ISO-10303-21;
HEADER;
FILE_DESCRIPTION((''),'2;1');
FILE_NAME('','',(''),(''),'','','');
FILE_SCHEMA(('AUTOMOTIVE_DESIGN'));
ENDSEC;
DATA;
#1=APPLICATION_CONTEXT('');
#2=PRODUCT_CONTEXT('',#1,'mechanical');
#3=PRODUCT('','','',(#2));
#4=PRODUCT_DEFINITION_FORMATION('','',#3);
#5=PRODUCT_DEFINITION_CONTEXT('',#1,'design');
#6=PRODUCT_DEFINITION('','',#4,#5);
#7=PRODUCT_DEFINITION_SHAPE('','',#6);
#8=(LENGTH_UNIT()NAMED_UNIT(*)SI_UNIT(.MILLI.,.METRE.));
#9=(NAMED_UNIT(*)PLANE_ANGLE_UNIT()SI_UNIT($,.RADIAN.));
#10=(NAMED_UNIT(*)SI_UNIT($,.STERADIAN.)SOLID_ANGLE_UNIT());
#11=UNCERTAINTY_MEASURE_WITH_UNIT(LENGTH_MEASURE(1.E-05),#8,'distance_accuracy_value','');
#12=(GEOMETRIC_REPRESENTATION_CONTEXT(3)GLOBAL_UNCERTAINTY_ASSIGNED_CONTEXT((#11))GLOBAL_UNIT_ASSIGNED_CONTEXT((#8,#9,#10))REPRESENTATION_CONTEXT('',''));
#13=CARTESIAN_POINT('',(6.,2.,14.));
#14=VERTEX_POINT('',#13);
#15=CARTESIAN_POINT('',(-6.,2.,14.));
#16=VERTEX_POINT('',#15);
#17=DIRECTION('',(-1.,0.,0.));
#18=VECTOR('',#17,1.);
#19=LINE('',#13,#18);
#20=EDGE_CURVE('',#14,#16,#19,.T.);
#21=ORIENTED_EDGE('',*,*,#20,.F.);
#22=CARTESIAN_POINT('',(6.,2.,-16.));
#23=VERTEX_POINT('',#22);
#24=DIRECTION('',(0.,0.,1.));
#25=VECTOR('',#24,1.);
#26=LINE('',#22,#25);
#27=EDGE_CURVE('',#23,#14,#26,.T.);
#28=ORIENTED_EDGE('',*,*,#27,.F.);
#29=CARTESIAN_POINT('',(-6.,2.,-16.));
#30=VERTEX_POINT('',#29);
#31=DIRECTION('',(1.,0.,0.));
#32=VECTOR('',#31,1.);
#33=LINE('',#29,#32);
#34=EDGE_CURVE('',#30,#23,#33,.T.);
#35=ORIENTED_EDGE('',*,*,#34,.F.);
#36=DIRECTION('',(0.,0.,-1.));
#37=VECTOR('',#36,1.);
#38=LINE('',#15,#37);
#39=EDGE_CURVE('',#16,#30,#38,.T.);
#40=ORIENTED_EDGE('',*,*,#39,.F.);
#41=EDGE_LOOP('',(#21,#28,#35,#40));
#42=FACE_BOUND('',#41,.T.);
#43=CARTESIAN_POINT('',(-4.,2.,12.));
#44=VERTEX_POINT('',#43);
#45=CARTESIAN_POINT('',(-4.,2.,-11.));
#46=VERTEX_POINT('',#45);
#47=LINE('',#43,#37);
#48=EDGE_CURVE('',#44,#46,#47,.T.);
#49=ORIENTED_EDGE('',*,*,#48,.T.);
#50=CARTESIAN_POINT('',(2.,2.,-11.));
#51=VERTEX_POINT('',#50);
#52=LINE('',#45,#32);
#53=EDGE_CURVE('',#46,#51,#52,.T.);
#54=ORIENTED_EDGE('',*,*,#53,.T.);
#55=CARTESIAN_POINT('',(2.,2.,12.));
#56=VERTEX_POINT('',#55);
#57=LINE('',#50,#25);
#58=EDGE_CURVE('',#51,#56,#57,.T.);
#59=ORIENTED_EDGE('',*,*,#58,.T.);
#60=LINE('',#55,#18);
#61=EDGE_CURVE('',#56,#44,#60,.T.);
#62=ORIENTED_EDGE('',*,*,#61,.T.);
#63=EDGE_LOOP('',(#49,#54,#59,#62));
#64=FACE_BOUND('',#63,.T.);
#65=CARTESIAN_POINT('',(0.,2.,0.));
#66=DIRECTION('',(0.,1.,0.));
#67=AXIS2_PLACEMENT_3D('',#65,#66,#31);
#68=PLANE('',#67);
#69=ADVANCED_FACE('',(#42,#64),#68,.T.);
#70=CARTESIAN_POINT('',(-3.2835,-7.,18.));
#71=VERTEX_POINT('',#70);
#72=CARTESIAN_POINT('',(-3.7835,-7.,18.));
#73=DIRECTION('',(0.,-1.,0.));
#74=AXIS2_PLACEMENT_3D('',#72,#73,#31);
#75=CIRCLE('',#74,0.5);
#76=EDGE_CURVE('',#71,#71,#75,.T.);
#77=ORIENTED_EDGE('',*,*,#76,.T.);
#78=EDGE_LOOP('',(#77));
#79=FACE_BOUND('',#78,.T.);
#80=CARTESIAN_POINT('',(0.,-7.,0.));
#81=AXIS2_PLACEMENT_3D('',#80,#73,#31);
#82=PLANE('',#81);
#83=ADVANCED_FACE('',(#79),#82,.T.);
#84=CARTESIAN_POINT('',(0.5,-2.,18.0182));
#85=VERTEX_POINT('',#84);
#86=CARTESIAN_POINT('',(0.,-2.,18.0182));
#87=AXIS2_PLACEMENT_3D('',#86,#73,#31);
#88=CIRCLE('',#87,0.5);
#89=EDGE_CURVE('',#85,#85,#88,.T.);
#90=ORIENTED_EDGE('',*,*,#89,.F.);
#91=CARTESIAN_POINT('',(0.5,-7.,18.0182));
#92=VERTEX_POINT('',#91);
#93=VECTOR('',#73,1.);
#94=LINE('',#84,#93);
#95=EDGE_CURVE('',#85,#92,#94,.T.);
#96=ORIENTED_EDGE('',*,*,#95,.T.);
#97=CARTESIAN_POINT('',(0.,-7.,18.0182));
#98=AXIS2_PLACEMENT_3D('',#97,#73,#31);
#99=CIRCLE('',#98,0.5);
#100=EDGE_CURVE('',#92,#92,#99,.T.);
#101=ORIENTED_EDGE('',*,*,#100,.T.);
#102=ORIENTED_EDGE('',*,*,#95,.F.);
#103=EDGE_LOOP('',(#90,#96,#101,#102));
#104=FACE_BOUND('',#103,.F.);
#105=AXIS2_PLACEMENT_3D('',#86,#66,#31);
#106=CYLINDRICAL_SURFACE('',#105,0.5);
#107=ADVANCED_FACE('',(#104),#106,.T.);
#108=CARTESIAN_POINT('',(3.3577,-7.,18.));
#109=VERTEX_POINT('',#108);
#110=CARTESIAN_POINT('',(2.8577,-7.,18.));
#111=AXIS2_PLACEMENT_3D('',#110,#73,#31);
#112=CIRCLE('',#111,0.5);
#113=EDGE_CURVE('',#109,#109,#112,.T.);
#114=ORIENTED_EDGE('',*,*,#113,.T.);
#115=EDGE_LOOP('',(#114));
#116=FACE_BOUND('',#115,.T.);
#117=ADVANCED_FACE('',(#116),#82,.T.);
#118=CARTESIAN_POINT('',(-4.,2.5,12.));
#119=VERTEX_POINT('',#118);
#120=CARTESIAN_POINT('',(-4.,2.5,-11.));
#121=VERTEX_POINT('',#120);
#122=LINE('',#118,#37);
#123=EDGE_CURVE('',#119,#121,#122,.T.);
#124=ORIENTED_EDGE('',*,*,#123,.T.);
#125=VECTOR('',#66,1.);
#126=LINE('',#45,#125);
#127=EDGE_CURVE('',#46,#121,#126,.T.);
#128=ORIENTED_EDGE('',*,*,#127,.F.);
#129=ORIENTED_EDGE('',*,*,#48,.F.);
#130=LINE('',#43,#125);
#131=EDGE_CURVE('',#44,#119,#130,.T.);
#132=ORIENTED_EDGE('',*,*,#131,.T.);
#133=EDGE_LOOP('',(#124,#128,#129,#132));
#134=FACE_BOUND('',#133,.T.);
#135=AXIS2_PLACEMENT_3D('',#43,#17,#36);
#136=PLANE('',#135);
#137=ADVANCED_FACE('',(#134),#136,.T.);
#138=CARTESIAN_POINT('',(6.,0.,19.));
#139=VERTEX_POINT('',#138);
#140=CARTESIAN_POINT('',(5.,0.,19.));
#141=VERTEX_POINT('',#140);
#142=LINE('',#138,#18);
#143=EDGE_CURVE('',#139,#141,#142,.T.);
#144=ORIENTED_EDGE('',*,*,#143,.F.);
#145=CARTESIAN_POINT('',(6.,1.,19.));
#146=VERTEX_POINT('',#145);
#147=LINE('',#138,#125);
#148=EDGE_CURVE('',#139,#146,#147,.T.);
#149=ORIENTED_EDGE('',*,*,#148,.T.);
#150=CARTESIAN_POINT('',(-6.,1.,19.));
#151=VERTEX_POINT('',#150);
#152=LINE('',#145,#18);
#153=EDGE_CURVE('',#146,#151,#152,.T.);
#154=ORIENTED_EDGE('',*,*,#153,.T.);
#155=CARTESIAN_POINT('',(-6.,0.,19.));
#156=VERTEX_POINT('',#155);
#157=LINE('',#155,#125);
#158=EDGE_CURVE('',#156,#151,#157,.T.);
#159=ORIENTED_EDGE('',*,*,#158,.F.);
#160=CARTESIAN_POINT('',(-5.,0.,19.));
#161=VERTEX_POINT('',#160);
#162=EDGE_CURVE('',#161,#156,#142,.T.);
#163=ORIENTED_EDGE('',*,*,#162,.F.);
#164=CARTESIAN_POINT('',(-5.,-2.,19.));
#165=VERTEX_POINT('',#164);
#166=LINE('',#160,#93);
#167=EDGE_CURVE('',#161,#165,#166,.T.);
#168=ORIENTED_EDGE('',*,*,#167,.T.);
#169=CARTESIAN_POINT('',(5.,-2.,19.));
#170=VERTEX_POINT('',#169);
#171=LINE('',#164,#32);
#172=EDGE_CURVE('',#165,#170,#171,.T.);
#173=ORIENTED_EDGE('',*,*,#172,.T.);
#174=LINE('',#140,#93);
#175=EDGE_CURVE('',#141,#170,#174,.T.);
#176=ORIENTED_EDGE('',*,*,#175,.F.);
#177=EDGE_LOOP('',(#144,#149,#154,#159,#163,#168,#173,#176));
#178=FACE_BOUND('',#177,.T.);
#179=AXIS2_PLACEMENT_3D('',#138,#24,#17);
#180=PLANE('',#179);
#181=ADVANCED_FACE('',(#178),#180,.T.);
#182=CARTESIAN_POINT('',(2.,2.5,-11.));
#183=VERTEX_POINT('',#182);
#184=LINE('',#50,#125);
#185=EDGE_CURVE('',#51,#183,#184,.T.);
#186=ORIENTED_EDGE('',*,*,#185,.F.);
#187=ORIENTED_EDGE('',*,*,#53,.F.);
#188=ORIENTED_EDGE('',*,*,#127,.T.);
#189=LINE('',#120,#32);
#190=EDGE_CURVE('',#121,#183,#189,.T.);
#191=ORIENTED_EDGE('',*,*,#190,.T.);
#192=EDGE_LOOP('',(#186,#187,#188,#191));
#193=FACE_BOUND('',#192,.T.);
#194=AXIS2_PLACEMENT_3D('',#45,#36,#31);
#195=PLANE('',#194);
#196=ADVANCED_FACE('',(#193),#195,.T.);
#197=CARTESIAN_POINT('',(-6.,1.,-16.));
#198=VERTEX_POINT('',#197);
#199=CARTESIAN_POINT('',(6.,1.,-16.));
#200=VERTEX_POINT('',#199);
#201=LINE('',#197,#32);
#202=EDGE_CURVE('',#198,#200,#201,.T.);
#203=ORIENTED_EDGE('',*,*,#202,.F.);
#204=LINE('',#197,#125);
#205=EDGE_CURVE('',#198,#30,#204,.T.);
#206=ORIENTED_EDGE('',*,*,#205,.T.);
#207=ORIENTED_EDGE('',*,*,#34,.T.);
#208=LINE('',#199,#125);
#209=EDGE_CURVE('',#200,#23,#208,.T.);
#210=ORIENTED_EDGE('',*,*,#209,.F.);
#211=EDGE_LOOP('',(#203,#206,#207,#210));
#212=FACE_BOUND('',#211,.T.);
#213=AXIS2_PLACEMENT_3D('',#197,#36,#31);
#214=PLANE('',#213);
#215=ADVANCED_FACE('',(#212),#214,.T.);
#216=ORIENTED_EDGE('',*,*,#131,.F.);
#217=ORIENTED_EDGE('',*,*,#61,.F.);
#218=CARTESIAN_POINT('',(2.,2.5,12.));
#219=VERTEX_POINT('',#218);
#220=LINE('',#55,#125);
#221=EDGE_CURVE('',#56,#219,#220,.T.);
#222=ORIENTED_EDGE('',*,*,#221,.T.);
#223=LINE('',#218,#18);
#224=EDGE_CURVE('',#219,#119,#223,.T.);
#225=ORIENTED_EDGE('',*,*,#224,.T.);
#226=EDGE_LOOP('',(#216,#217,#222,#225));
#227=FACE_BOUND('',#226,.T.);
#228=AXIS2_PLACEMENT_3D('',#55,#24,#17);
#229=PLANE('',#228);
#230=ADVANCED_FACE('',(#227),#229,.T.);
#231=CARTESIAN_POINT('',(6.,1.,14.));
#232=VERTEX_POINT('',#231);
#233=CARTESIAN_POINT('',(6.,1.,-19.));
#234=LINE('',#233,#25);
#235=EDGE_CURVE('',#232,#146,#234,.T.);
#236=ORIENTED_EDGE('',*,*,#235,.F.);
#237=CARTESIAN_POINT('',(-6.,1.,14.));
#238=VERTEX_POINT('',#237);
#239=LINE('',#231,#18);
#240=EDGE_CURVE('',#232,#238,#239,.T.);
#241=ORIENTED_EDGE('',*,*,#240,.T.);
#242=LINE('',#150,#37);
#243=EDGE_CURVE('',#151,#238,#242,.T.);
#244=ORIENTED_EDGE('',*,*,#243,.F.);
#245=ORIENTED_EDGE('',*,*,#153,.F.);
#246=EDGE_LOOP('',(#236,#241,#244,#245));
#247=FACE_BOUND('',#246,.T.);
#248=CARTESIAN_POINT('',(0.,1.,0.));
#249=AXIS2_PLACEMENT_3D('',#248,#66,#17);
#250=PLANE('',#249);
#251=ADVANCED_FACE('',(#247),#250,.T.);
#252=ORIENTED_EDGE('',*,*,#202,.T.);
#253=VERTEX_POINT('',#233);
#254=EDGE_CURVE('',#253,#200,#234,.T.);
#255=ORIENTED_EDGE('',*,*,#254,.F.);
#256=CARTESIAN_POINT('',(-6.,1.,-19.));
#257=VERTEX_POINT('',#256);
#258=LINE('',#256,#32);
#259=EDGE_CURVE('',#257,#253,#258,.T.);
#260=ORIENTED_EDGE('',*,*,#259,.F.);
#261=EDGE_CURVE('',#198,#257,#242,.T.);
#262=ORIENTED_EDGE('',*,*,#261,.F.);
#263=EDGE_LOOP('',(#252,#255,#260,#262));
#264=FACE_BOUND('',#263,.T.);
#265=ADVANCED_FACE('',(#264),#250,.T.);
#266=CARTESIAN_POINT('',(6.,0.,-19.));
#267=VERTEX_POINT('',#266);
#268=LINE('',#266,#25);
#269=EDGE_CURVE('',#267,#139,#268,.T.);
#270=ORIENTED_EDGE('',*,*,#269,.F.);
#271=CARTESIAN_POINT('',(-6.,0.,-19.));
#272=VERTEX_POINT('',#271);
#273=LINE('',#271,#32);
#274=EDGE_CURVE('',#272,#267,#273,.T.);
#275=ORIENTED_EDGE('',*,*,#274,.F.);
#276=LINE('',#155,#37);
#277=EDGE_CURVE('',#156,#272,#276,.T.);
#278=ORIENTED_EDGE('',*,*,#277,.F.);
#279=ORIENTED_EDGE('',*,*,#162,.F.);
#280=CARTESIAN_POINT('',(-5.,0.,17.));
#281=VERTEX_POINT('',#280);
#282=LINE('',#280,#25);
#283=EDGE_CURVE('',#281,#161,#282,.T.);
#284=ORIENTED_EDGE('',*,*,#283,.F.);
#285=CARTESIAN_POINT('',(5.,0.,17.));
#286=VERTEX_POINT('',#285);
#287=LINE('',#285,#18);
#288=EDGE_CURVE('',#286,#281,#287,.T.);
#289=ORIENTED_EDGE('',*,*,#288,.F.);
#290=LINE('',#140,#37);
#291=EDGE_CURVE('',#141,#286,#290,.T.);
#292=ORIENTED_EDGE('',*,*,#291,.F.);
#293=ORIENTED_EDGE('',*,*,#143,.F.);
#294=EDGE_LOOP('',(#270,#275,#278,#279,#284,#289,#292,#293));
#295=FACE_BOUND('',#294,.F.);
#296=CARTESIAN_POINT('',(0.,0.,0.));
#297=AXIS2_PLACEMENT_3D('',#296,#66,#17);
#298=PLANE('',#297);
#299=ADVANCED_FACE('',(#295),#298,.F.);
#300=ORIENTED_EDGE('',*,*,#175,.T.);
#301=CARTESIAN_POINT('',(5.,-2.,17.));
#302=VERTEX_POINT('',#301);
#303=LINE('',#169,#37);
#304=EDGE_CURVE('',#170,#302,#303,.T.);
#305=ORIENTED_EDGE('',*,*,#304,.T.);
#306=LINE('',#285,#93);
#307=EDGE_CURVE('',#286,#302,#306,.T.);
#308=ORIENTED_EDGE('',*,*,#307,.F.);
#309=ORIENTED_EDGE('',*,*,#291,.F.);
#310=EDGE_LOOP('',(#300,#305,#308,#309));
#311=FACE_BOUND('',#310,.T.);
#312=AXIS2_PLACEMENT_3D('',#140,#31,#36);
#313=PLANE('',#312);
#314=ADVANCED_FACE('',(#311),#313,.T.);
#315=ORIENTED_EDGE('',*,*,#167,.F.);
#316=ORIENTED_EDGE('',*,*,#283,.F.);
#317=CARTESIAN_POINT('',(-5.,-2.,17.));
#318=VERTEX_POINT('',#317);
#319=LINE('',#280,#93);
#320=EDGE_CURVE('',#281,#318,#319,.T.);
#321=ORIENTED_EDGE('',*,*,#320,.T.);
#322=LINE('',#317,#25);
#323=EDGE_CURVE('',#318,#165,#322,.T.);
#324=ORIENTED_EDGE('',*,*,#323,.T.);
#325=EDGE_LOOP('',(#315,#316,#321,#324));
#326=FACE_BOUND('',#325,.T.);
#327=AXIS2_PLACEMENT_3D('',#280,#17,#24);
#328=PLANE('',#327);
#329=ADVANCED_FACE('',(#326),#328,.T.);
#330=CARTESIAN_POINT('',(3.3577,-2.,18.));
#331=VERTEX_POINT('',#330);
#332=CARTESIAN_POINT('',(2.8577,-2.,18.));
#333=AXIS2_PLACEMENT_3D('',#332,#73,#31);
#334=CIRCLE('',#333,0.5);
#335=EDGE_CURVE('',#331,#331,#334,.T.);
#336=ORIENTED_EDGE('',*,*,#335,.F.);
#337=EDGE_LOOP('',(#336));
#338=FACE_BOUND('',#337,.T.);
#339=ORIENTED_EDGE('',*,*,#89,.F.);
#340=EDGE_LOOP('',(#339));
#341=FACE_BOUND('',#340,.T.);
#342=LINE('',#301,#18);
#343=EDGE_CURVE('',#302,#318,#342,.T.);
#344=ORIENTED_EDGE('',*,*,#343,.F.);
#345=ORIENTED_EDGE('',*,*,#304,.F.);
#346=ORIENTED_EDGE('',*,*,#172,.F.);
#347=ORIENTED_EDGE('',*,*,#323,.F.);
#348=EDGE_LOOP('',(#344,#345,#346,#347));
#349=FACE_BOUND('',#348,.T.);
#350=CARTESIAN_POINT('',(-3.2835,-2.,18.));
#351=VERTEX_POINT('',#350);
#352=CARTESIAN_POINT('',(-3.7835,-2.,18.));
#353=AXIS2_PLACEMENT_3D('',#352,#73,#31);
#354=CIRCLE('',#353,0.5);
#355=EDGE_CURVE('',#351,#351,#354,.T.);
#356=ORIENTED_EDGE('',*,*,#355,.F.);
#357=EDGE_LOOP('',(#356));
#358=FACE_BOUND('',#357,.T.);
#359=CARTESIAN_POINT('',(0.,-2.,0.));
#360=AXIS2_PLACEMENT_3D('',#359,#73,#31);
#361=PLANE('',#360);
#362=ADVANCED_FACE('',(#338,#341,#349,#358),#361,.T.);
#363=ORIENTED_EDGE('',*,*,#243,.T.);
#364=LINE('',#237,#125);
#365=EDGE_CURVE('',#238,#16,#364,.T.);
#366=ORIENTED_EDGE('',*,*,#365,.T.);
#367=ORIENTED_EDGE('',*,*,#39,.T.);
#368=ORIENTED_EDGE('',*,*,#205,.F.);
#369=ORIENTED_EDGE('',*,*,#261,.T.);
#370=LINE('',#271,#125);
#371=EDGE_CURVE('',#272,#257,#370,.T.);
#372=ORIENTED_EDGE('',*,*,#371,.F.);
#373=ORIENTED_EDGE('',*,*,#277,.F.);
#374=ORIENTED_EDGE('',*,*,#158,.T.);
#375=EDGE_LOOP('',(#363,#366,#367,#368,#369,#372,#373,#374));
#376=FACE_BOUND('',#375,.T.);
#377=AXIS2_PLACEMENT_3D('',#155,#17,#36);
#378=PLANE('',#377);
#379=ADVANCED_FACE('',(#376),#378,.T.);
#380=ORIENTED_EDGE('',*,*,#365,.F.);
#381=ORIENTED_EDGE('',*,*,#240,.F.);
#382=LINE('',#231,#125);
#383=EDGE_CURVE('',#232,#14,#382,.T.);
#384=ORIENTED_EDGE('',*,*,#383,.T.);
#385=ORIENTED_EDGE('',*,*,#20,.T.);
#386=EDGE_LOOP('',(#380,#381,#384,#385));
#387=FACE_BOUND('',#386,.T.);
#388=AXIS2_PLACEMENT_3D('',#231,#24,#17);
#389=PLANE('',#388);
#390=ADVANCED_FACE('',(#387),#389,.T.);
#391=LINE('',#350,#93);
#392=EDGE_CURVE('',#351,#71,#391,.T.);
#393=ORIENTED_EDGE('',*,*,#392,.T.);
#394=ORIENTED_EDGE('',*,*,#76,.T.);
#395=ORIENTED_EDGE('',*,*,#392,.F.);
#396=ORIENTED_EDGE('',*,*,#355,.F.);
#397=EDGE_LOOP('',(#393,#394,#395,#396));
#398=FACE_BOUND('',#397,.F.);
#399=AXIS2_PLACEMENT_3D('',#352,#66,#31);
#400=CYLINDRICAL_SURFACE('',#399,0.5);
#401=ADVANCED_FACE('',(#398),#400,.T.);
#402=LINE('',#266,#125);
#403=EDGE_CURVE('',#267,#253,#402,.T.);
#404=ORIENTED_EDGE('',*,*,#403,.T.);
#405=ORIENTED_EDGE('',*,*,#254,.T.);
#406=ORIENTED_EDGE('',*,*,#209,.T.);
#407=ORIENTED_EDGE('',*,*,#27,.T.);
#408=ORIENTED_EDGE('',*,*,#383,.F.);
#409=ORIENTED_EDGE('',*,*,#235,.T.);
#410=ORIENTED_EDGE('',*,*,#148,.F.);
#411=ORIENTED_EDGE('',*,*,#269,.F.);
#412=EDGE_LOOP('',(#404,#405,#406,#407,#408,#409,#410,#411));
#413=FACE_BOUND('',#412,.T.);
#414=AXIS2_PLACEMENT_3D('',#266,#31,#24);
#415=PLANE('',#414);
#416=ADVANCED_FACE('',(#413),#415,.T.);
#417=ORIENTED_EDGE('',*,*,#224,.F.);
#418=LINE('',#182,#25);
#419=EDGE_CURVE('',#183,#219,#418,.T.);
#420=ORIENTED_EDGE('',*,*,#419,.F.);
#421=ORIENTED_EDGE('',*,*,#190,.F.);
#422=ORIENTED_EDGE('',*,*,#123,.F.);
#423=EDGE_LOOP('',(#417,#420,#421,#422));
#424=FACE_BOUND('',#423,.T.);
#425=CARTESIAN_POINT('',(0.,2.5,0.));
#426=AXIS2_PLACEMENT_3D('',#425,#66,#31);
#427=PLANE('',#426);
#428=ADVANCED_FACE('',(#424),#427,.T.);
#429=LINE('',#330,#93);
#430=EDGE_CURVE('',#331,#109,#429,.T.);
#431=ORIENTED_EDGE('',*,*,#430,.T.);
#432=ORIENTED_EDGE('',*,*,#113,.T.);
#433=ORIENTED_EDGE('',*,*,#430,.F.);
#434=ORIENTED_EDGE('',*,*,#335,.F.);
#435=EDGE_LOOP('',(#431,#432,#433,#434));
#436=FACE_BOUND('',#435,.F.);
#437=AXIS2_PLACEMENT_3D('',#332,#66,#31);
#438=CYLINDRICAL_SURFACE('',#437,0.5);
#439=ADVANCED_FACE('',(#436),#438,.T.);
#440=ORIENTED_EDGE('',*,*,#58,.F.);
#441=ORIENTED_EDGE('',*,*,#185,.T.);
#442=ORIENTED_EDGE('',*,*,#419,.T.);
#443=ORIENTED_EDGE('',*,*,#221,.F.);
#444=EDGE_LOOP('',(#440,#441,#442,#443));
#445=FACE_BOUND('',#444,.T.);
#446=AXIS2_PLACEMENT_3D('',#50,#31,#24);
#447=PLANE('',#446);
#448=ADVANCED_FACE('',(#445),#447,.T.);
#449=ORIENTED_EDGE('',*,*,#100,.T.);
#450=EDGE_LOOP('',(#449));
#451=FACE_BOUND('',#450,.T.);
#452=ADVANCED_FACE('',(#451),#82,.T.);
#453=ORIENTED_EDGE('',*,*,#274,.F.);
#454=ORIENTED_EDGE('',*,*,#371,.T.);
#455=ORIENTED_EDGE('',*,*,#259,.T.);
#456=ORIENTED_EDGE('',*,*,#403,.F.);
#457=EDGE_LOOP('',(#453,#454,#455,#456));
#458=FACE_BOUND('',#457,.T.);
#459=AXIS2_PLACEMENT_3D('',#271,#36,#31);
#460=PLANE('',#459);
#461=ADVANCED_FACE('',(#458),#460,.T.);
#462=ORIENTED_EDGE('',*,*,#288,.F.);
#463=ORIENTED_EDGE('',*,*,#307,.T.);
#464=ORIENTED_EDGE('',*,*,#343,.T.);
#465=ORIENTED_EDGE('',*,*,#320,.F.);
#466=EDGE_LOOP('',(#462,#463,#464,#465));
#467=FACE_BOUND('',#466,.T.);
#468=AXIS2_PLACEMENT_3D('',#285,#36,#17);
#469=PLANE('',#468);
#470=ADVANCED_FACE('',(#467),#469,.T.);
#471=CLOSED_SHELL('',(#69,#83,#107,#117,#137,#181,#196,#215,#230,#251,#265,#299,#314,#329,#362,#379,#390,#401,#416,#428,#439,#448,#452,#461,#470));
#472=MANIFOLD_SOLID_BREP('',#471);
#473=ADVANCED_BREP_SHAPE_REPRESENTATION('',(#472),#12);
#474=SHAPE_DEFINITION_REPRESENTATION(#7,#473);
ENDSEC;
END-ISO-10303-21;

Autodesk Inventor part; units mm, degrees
ref_plane "YZ Plane" through (0, 0, 0) normal (1, 0, 0) x (0, 1, 0)
ref_plane "XZ Plane" through (0, 0, 0) normal (0, 1, 0) x (-1, 0, 0)
ref_plane "XY Plane" through (0, 0, 0) normal (0, 0, 1) x (1, 0, 0)
sketch "Sketch1" plane through (0, 0, 0) normal (0, 1, 0) x (-1, 0, 0)
  line L0 (6, 19) -> (6, -19)
  line L1 (6, -19) -> (-6, -19)
  line L2 (-6, -19) -> (-6, 19)
  line L3 (-6, 19) -> (6, 19)
  line L4 (6, 19) -> (-6, -19) construction
  line L5 (6, -19) -> (-6, 19) construction
  point P0 (0, 0)
  dimension "d0" = 38
  dimension "d1" = 12
extrude "Extrusion1" add sketch "Sketch1" along normal blind 1
sketch "Sketch2" plane through (0, 1, 0) normal (0, 1, 0) x (1, 0, 0)
  point P0 (0, 0)
sketch "Sketch3" plane through (0, 1, 0) normal (0, 1, 0) x (1, 0, 0)
  line L0 (-6, -14) -> (-6, 16)
  line L1 (-6, 16) -> (6, 16)
  line L2 (6, 16) -> (6, -14)
  line L3 (6, -14) -> (-6, -14)
  line L4 (-6, -14) -> (6, 16) construction
  line L5 (-6, 16) -> (6, -14) construction
  line L6 (-6, -19) -> (6, -19) projected
  line L7 (-6, 19) -> (-6, -19) projected
  line L8 (-6, 16) -> (-6, 19)
  dimension "d4" = 30
  dimension "d5" = 12
extrude "Extrusion2" add sketch "Sketch3" along normal blind 1
sketch "Sketch4" plane through (0, 2, 0) normal (0, 1, 0) x (1, 0, 0)
  point P0 (0, 0)
sketch "Sketch5" plane through (0, 2, 0) normal (0, 1, 0) x (1, 0, 0)
  point P0 (0, 0)
sketch "Sketch6" plane through (0, 0, 0) normal (0, -1, 0) x (1, 0, 0)
  line L0 (-6, 19) -> (6, 19) projected
  line L1 (0, 19) -> (5, 19)
  line L2 (-5, 17) -> (-5, 19)
  line L3 (-5, 19) -> (5, 19)
  line L4 (5, 19) -> (5, 17)
  line L5 (5, 17) -> (-5, 17)
  point P0 (0, 0)
  dimension "d11" = 5
  dimension "d12" = 2
  dimension "d13" = 5
extrude "Extrusion3" add sketch "Sketch6" along normal blind 2
sketch "Sketch7" plane through (0, -2, 0) normal (0, -1, 0) x (1, 0, 0)
  circle A0 centre (0, 18.0182) radius 0.5
  circle A1 centre (-3.7835, 18) radius 0.5
  circle A2 centre (2.8577, 18) radius 0.5
  point P0 (0, 0)
  dimension "d16" = 1
  dimension "d17" = 1
  dimension "d18" = 1
extrude "Extrusion4" add sketch "Sketch7" along normal blind 5
sketch "Sketch8" plane through (0, 2, 0) normal (0, 1, 0) x (1, 0, 0)
  line L0 (-6, -14) -> (6, -14) projected
  line L1 (-4, -12) -> (-4, 11)
  line L2 (-4, 11) -> (2, 11)
  line L3 (2, 11) -> (2, -12)
  line L4 (2, -12) -> (-4, -12)
  point P0 (0, 0)
  dimension "d31" = 23
  dimension "d32" = 6
extrude "Extrusion5" add sketch "Sketch8" along normal blind 0.5
properties part number "OLED_128x32"
